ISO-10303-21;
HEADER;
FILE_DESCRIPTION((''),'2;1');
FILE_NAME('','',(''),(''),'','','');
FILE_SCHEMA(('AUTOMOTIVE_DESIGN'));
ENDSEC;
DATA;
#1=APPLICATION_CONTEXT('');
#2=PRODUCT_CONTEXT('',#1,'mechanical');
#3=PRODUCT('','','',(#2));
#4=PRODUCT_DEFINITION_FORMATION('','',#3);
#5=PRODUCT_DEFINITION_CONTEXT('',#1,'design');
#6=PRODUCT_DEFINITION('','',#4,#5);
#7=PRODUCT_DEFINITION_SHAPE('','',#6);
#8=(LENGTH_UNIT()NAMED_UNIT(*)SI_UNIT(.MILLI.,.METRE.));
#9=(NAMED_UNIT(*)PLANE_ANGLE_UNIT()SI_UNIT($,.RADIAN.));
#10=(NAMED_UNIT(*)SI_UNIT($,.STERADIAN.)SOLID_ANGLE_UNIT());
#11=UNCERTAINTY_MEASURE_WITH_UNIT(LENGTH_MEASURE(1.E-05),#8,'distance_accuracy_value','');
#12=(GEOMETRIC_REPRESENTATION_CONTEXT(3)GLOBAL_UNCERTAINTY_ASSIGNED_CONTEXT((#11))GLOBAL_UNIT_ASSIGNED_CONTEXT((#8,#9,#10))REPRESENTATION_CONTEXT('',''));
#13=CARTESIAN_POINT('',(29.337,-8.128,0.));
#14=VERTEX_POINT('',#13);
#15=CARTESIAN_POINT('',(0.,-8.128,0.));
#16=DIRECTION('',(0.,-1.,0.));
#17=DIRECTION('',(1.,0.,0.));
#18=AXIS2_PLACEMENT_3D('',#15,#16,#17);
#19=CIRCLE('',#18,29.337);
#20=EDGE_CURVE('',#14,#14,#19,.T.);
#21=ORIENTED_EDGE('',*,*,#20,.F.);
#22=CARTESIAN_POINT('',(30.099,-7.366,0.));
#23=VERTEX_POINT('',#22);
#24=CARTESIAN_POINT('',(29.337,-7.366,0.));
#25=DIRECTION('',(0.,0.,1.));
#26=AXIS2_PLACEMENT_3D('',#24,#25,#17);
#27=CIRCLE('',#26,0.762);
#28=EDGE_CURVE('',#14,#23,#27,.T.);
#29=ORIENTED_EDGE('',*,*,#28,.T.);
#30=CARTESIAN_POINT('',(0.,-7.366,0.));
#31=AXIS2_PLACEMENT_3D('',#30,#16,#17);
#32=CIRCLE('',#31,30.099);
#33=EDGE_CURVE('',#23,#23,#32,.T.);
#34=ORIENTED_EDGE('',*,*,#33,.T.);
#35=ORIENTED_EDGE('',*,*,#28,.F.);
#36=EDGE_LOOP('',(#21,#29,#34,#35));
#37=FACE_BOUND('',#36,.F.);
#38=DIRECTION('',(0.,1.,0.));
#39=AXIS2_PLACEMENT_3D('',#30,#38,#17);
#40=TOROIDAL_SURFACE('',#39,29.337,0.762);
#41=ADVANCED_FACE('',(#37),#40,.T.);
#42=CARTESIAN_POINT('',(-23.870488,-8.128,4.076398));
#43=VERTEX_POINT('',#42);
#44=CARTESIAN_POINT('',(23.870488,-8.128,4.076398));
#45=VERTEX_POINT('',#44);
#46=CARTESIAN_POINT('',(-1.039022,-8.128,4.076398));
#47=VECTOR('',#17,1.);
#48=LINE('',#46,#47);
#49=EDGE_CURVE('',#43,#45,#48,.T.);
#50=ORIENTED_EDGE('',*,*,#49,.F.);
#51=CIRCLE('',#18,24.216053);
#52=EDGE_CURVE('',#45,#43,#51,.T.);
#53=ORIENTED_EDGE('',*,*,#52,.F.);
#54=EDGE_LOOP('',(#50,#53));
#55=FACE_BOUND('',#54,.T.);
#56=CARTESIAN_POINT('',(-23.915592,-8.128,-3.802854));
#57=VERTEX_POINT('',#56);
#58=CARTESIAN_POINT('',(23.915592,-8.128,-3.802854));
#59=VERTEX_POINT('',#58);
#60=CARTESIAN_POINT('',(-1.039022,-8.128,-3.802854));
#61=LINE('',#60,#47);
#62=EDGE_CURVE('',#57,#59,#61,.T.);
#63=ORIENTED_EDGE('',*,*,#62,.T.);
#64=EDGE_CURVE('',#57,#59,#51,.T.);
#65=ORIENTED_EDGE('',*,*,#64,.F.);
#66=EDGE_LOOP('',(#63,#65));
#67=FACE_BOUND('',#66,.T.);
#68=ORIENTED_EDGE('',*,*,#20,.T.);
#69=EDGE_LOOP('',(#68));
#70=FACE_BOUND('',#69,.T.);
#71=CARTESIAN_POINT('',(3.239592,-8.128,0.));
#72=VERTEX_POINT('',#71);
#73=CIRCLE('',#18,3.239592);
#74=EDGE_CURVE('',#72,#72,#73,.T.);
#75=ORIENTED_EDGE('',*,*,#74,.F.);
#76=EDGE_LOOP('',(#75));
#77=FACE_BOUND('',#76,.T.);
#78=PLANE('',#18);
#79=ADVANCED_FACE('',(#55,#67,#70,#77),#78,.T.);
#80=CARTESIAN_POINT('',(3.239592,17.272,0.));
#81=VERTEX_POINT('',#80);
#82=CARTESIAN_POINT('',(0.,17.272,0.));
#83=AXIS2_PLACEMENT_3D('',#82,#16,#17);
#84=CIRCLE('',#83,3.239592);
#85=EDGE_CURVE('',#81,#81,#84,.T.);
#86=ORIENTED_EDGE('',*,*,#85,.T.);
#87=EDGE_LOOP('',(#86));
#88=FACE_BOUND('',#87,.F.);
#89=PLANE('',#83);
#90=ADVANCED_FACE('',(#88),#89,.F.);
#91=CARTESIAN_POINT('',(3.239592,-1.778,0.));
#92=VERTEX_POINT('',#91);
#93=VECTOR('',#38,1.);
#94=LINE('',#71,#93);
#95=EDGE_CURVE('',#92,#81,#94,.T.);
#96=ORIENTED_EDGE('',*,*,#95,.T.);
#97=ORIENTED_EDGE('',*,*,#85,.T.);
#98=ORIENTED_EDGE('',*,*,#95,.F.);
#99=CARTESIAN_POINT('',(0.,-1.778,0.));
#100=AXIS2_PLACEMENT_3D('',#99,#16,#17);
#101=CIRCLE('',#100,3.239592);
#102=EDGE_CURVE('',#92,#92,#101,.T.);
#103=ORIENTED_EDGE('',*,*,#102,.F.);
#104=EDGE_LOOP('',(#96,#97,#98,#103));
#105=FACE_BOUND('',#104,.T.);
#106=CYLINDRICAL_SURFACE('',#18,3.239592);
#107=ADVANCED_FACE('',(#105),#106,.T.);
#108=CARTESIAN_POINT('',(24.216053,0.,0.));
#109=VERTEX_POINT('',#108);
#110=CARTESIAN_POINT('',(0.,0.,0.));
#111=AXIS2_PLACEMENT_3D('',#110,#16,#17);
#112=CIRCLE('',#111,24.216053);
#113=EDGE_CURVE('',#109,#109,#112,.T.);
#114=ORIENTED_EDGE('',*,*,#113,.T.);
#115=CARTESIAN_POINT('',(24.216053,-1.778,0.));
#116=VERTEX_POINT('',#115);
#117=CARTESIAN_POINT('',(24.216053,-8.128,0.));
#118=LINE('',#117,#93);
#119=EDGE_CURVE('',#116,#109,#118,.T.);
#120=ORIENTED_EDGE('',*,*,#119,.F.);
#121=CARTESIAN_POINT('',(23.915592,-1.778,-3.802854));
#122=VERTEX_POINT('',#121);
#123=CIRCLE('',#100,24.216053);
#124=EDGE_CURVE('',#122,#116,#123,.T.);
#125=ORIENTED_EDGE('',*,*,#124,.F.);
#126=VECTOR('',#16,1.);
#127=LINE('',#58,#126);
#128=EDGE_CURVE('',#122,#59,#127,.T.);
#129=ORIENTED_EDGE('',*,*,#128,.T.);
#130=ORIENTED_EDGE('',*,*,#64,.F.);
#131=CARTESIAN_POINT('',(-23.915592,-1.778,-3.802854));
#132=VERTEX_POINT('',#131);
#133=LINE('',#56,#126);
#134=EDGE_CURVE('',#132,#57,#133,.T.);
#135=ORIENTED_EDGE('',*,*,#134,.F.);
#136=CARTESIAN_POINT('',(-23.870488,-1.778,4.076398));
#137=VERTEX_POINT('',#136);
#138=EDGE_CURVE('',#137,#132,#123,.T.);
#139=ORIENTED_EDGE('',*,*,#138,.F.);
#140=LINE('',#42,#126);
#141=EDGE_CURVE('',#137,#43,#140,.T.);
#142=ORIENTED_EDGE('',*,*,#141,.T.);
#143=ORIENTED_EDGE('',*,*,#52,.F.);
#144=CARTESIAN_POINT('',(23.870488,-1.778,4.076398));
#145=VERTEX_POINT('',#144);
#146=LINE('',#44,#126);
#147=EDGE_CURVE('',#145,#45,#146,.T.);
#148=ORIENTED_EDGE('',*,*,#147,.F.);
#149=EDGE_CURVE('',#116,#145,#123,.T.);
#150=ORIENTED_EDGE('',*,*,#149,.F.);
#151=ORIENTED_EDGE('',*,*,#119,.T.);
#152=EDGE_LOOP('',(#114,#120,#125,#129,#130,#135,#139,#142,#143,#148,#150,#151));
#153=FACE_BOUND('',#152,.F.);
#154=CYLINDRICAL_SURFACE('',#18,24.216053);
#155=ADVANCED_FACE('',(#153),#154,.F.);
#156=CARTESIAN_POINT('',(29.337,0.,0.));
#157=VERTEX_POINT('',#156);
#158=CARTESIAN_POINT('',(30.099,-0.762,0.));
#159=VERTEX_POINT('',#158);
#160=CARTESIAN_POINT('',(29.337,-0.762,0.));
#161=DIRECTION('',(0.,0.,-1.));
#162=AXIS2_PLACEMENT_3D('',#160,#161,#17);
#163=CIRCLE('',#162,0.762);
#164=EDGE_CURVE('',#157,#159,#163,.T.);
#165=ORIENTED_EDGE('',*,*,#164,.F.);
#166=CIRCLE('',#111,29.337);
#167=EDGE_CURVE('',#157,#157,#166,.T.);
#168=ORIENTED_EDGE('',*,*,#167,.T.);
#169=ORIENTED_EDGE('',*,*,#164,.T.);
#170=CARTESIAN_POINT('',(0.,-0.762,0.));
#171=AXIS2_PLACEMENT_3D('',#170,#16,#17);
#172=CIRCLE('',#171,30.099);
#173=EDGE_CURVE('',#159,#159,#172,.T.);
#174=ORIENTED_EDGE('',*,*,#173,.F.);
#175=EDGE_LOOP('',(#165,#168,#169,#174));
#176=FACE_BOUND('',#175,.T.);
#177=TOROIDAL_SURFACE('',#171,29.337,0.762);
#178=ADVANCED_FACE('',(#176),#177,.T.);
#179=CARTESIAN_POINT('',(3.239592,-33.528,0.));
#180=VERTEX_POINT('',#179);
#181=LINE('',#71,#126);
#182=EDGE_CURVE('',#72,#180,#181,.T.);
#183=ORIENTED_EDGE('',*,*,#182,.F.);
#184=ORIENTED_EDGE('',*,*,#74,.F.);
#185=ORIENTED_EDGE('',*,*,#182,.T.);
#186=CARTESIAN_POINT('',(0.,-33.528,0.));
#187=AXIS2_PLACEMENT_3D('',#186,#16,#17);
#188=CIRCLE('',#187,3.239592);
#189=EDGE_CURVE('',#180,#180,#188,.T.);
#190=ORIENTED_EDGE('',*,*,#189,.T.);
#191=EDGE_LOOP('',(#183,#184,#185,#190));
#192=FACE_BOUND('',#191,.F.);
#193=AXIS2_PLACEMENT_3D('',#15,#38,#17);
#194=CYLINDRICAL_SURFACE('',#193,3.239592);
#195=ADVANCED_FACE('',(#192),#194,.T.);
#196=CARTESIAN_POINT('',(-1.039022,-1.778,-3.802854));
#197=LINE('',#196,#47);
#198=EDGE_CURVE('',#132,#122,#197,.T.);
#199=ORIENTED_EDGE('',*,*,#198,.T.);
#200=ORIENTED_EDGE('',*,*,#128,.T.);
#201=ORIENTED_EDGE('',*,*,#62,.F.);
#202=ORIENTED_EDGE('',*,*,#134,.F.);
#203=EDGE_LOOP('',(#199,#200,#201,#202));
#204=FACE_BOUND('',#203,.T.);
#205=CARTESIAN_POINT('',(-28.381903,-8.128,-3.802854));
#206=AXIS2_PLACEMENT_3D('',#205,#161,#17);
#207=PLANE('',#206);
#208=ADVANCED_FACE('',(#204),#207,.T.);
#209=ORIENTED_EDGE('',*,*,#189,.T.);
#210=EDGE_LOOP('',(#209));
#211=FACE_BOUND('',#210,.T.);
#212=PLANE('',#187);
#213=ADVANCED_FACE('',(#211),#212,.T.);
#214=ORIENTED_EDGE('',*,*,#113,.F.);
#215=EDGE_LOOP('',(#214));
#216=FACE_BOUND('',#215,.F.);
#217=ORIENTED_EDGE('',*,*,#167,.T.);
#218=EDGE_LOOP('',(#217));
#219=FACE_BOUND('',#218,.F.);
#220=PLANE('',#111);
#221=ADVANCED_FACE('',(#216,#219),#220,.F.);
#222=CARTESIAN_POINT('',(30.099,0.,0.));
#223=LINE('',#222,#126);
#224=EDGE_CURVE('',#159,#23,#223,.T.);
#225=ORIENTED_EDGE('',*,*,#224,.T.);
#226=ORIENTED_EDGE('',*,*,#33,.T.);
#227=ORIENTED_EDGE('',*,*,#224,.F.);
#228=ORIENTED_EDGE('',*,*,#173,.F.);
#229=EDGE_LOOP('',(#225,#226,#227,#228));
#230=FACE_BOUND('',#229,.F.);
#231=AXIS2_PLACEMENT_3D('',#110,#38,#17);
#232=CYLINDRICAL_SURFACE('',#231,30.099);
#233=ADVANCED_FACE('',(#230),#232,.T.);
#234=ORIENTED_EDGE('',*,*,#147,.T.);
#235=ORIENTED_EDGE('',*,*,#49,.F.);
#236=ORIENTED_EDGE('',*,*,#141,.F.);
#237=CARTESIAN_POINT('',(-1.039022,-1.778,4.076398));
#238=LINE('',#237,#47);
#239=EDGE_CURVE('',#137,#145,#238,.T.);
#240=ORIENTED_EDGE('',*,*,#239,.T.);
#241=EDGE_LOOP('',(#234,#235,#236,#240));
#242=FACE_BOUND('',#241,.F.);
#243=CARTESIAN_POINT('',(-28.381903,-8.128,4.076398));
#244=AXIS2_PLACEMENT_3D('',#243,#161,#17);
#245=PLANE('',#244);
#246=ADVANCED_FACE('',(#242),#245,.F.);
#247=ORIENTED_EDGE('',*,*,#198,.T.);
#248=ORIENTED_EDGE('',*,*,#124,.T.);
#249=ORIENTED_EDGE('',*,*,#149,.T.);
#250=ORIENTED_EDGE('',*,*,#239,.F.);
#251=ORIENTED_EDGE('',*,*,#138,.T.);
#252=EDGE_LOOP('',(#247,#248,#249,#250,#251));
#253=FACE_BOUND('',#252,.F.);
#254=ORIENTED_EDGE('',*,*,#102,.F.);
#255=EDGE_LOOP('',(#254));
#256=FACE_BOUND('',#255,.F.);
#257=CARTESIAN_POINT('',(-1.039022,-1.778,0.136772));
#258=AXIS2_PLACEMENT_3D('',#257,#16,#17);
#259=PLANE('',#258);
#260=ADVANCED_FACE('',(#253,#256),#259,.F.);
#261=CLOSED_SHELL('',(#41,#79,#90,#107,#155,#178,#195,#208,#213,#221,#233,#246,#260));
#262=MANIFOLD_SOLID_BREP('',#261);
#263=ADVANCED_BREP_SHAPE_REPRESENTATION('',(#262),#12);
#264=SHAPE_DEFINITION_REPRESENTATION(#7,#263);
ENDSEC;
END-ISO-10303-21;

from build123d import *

# Parameters (mm, degrees)
F0_R     = 30.099
F1_DEPTH = 8.128
F2_R     = 24.216053
F3_DEPTH = 25.4
F4_W     = 54.685762
F4_H     = 7.879252
F5_DEPTH = 6.35
F6_R     = 3.239592
F7_DEPTH = 25.4
F8_DEPTH = 25.4
F9_R     = 0.762


with BuildPart() as f1:
    # F0 (on Front) → F1 (new body)
    with BuildSketch(Plane.XZ):
        Circle(F0_R)
    extrude(amount=F1_DEPTH)

    # F2 (on face) → F3 (cut)
    with BuildSketch(Plane.XZ.offset(8.128)):
        Circle(F2_R)
    extrude(amount=-F3_DEPTH, mode=Mode.SUBTRACT)

    # F4 (on face) → F5 (join)
    with BuildSketch(Plane.XZ.offset(8.128)):
        with Locations((-1.039022, 0.136772)):
            Rectangle(F4_W, F4_H)
    extrude(amount=-F5_DEPTH)

    # F6 (on face) → F7 (join)
    with BuildSketch(Plane.XZ.offset(8.128)):
        Circle(F6_R)
    extrude(amount=F7_DEPTH)

    # F6 (on face) → F8 (join)
    with BuildSketch(Plane.XZ.offset(8.128)):
        Circle(F6_R)
    extrude(amount=-F8_DEPTH)

    # F9
    f9_edges = [f1.edges().sort_by_distance(p)[0] for p in [
        (-30.099, 0, 0),
        (-30.099, -8.128, 0),
    ]]
    fillet(f9_edges, radius=F9_R)


solid = f1.part
